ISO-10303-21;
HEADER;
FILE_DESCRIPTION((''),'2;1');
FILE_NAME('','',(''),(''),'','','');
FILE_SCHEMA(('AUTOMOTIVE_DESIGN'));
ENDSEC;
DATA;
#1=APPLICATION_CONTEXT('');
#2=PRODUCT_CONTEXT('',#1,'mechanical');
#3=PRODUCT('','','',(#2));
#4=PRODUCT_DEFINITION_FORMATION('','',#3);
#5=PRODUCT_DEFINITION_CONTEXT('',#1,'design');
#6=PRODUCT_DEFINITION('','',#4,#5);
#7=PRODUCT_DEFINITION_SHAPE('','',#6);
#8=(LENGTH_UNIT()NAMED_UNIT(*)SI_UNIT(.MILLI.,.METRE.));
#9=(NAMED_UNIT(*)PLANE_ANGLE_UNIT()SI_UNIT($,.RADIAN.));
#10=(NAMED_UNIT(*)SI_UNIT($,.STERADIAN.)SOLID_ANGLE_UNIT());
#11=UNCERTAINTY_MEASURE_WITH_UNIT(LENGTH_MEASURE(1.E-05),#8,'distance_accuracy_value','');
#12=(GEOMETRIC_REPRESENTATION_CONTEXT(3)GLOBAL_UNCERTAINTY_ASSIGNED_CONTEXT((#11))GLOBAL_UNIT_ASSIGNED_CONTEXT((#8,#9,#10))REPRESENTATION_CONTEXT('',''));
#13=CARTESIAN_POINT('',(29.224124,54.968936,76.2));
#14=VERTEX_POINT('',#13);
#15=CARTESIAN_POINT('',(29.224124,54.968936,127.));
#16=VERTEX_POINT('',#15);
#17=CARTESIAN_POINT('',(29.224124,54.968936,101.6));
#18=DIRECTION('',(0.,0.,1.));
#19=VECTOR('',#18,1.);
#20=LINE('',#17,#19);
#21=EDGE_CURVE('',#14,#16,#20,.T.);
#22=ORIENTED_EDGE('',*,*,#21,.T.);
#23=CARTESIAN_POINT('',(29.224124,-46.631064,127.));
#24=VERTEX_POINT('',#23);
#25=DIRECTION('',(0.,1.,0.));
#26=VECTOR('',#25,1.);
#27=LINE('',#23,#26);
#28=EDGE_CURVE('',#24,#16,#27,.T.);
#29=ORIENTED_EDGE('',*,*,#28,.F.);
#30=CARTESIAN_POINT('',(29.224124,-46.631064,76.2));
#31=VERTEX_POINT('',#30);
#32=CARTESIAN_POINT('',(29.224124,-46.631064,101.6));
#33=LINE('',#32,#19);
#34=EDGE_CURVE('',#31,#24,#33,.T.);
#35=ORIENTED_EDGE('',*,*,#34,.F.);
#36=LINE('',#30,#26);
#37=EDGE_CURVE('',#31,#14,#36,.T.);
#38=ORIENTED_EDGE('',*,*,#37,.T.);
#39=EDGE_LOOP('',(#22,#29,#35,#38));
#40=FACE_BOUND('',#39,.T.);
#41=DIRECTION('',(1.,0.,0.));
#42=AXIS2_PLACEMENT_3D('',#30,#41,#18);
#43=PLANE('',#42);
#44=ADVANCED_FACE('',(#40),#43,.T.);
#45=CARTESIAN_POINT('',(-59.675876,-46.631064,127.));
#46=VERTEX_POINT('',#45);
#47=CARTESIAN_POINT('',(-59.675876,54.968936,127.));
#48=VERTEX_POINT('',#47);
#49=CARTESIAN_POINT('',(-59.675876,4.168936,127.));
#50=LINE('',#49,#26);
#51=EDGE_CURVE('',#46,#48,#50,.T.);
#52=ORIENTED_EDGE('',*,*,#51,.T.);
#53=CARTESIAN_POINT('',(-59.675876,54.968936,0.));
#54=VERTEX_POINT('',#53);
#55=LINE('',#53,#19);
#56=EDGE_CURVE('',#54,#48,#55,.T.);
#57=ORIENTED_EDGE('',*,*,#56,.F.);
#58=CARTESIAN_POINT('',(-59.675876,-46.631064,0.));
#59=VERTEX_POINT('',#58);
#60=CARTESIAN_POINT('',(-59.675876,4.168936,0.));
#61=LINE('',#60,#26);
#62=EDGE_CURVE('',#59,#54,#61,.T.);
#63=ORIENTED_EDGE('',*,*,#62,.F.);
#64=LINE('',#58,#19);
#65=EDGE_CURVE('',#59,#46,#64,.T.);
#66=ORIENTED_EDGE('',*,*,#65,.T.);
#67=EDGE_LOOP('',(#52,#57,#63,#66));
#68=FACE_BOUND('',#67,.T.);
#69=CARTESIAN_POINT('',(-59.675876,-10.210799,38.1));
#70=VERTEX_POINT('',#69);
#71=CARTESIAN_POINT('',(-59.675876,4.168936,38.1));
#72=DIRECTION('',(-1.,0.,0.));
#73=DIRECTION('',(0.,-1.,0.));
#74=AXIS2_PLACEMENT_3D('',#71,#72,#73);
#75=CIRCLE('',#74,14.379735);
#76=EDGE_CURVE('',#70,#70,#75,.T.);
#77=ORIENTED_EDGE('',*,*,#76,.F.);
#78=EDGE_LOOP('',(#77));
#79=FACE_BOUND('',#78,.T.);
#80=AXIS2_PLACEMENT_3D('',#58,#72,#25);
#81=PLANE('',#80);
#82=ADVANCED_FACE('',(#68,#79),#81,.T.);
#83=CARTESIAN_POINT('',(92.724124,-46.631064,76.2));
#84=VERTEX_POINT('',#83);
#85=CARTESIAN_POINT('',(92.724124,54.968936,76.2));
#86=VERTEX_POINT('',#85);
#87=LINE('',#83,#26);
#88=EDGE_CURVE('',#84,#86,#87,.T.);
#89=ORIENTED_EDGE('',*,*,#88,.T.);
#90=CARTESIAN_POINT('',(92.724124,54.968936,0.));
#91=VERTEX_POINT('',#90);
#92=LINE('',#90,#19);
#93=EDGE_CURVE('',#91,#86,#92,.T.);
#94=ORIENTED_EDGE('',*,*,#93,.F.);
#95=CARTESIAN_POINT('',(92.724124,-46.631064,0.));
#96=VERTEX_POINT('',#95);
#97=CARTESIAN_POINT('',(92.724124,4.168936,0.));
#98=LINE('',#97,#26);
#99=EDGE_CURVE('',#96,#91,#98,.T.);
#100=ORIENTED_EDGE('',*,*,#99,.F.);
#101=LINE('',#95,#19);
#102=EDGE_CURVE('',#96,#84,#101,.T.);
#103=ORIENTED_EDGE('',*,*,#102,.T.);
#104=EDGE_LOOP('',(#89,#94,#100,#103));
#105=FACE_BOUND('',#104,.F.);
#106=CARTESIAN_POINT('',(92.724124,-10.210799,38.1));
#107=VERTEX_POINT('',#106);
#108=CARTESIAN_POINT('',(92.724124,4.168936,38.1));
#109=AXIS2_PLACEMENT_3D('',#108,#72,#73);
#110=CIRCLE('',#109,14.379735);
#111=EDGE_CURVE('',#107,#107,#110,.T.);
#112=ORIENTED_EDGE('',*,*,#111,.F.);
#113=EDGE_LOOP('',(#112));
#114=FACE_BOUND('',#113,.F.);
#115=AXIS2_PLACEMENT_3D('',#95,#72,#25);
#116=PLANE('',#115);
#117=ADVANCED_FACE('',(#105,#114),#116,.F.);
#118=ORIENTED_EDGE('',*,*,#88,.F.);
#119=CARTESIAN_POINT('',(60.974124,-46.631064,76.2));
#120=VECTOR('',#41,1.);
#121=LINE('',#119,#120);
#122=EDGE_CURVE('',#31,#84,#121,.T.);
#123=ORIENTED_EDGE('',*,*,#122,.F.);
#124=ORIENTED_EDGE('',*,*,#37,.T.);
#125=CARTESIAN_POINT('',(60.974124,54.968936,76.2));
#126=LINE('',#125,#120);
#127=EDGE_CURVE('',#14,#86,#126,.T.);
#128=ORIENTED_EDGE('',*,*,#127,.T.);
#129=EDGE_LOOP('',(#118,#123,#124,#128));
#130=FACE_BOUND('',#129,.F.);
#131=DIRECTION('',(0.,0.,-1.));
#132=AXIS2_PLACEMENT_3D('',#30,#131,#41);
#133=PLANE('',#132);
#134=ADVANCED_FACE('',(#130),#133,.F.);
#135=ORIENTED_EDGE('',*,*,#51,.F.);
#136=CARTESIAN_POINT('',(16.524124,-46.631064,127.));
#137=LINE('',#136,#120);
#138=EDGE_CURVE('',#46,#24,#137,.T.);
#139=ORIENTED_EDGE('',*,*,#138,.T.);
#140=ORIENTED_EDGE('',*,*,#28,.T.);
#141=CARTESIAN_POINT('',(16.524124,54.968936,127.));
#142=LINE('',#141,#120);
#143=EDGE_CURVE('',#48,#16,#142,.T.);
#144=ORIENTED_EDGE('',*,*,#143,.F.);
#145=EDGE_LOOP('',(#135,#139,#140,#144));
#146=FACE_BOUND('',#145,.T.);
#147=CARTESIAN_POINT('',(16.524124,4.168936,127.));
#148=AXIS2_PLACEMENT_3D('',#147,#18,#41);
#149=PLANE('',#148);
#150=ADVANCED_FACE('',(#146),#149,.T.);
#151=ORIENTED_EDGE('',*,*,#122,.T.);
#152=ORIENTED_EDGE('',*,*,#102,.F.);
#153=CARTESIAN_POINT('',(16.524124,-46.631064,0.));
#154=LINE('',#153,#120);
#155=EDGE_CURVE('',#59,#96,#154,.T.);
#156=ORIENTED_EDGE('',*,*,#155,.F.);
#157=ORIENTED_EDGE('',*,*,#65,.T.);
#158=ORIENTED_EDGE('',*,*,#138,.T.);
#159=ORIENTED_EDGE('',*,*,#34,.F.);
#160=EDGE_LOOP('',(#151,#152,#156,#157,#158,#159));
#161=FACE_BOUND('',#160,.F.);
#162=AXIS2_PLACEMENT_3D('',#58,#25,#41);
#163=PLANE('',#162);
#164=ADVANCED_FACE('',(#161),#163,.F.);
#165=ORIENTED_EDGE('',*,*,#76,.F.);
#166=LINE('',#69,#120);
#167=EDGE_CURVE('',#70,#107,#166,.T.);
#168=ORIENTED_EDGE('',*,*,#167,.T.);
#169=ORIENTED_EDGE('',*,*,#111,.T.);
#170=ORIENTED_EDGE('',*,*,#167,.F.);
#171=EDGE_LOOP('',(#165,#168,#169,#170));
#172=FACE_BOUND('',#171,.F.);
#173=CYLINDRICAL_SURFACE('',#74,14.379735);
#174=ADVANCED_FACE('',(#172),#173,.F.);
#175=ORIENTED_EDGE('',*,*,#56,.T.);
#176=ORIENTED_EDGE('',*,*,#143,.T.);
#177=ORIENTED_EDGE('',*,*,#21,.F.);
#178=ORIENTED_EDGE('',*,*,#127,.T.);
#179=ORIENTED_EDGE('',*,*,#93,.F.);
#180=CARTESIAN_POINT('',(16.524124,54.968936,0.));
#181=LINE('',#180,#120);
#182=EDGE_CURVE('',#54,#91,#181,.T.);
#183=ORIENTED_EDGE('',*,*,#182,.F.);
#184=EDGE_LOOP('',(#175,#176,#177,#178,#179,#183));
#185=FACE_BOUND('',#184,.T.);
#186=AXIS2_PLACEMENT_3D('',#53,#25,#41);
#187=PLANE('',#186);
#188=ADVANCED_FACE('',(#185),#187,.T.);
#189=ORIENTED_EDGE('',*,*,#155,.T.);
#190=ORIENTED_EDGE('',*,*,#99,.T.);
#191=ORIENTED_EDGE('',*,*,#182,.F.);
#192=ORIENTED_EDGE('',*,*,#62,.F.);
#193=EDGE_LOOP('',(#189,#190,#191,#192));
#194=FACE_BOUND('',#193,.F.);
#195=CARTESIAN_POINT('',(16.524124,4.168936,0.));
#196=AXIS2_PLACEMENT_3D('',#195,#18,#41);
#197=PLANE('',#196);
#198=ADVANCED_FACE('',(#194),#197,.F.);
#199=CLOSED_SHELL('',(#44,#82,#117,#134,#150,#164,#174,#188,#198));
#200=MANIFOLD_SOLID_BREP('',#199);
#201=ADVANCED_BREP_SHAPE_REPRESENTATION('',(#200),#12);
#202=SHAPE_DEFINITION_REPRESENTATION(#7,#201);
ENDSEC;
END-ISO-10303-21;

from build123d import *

# Parameters (mm, degrees)
F0_W     = 152.4
F0_H     = 101.6
F1_DEPTH = 127
F2_W     = 63.5
F2_H     = 50.8
F3_DEPTH = 101.6
F5_R     = 14.379735
F6_DEPTH = 152.4


with BuildPart() as f1:
    # F0 (on Top) → F1 (new body)
    with BuildSketch(Plane.XY):
        with Locations((16.524124, 4.168936)):
            Rectangle(F0_W, F0_H)
    extrude(amount=F1_DEPTH)

    # F2 (on face) → F3 (cut)
    with BuildSketch(Plane.XZ.offset(46.631064)):
        with Locations((60.974124, 101.6)):
            Rectangle(F2_W, F2_H)
    extrude(amount=-F3_DEPTH, mode=Mode.SUBTRACT)

    # F5 (on face) → F6 (cut)
    with BuildSketch(Plane(origin=(-59.675876, 0, 0), x_dir=(0, -1, 0), z_dir=(-1, 0, 0))):
        with Locations((-4.168936, 38.1)):
            Circle(F5_R)
    extrude(amount=-F6_DEPTH, mode=Mode.SUBTRACT)


solid = f1.part
